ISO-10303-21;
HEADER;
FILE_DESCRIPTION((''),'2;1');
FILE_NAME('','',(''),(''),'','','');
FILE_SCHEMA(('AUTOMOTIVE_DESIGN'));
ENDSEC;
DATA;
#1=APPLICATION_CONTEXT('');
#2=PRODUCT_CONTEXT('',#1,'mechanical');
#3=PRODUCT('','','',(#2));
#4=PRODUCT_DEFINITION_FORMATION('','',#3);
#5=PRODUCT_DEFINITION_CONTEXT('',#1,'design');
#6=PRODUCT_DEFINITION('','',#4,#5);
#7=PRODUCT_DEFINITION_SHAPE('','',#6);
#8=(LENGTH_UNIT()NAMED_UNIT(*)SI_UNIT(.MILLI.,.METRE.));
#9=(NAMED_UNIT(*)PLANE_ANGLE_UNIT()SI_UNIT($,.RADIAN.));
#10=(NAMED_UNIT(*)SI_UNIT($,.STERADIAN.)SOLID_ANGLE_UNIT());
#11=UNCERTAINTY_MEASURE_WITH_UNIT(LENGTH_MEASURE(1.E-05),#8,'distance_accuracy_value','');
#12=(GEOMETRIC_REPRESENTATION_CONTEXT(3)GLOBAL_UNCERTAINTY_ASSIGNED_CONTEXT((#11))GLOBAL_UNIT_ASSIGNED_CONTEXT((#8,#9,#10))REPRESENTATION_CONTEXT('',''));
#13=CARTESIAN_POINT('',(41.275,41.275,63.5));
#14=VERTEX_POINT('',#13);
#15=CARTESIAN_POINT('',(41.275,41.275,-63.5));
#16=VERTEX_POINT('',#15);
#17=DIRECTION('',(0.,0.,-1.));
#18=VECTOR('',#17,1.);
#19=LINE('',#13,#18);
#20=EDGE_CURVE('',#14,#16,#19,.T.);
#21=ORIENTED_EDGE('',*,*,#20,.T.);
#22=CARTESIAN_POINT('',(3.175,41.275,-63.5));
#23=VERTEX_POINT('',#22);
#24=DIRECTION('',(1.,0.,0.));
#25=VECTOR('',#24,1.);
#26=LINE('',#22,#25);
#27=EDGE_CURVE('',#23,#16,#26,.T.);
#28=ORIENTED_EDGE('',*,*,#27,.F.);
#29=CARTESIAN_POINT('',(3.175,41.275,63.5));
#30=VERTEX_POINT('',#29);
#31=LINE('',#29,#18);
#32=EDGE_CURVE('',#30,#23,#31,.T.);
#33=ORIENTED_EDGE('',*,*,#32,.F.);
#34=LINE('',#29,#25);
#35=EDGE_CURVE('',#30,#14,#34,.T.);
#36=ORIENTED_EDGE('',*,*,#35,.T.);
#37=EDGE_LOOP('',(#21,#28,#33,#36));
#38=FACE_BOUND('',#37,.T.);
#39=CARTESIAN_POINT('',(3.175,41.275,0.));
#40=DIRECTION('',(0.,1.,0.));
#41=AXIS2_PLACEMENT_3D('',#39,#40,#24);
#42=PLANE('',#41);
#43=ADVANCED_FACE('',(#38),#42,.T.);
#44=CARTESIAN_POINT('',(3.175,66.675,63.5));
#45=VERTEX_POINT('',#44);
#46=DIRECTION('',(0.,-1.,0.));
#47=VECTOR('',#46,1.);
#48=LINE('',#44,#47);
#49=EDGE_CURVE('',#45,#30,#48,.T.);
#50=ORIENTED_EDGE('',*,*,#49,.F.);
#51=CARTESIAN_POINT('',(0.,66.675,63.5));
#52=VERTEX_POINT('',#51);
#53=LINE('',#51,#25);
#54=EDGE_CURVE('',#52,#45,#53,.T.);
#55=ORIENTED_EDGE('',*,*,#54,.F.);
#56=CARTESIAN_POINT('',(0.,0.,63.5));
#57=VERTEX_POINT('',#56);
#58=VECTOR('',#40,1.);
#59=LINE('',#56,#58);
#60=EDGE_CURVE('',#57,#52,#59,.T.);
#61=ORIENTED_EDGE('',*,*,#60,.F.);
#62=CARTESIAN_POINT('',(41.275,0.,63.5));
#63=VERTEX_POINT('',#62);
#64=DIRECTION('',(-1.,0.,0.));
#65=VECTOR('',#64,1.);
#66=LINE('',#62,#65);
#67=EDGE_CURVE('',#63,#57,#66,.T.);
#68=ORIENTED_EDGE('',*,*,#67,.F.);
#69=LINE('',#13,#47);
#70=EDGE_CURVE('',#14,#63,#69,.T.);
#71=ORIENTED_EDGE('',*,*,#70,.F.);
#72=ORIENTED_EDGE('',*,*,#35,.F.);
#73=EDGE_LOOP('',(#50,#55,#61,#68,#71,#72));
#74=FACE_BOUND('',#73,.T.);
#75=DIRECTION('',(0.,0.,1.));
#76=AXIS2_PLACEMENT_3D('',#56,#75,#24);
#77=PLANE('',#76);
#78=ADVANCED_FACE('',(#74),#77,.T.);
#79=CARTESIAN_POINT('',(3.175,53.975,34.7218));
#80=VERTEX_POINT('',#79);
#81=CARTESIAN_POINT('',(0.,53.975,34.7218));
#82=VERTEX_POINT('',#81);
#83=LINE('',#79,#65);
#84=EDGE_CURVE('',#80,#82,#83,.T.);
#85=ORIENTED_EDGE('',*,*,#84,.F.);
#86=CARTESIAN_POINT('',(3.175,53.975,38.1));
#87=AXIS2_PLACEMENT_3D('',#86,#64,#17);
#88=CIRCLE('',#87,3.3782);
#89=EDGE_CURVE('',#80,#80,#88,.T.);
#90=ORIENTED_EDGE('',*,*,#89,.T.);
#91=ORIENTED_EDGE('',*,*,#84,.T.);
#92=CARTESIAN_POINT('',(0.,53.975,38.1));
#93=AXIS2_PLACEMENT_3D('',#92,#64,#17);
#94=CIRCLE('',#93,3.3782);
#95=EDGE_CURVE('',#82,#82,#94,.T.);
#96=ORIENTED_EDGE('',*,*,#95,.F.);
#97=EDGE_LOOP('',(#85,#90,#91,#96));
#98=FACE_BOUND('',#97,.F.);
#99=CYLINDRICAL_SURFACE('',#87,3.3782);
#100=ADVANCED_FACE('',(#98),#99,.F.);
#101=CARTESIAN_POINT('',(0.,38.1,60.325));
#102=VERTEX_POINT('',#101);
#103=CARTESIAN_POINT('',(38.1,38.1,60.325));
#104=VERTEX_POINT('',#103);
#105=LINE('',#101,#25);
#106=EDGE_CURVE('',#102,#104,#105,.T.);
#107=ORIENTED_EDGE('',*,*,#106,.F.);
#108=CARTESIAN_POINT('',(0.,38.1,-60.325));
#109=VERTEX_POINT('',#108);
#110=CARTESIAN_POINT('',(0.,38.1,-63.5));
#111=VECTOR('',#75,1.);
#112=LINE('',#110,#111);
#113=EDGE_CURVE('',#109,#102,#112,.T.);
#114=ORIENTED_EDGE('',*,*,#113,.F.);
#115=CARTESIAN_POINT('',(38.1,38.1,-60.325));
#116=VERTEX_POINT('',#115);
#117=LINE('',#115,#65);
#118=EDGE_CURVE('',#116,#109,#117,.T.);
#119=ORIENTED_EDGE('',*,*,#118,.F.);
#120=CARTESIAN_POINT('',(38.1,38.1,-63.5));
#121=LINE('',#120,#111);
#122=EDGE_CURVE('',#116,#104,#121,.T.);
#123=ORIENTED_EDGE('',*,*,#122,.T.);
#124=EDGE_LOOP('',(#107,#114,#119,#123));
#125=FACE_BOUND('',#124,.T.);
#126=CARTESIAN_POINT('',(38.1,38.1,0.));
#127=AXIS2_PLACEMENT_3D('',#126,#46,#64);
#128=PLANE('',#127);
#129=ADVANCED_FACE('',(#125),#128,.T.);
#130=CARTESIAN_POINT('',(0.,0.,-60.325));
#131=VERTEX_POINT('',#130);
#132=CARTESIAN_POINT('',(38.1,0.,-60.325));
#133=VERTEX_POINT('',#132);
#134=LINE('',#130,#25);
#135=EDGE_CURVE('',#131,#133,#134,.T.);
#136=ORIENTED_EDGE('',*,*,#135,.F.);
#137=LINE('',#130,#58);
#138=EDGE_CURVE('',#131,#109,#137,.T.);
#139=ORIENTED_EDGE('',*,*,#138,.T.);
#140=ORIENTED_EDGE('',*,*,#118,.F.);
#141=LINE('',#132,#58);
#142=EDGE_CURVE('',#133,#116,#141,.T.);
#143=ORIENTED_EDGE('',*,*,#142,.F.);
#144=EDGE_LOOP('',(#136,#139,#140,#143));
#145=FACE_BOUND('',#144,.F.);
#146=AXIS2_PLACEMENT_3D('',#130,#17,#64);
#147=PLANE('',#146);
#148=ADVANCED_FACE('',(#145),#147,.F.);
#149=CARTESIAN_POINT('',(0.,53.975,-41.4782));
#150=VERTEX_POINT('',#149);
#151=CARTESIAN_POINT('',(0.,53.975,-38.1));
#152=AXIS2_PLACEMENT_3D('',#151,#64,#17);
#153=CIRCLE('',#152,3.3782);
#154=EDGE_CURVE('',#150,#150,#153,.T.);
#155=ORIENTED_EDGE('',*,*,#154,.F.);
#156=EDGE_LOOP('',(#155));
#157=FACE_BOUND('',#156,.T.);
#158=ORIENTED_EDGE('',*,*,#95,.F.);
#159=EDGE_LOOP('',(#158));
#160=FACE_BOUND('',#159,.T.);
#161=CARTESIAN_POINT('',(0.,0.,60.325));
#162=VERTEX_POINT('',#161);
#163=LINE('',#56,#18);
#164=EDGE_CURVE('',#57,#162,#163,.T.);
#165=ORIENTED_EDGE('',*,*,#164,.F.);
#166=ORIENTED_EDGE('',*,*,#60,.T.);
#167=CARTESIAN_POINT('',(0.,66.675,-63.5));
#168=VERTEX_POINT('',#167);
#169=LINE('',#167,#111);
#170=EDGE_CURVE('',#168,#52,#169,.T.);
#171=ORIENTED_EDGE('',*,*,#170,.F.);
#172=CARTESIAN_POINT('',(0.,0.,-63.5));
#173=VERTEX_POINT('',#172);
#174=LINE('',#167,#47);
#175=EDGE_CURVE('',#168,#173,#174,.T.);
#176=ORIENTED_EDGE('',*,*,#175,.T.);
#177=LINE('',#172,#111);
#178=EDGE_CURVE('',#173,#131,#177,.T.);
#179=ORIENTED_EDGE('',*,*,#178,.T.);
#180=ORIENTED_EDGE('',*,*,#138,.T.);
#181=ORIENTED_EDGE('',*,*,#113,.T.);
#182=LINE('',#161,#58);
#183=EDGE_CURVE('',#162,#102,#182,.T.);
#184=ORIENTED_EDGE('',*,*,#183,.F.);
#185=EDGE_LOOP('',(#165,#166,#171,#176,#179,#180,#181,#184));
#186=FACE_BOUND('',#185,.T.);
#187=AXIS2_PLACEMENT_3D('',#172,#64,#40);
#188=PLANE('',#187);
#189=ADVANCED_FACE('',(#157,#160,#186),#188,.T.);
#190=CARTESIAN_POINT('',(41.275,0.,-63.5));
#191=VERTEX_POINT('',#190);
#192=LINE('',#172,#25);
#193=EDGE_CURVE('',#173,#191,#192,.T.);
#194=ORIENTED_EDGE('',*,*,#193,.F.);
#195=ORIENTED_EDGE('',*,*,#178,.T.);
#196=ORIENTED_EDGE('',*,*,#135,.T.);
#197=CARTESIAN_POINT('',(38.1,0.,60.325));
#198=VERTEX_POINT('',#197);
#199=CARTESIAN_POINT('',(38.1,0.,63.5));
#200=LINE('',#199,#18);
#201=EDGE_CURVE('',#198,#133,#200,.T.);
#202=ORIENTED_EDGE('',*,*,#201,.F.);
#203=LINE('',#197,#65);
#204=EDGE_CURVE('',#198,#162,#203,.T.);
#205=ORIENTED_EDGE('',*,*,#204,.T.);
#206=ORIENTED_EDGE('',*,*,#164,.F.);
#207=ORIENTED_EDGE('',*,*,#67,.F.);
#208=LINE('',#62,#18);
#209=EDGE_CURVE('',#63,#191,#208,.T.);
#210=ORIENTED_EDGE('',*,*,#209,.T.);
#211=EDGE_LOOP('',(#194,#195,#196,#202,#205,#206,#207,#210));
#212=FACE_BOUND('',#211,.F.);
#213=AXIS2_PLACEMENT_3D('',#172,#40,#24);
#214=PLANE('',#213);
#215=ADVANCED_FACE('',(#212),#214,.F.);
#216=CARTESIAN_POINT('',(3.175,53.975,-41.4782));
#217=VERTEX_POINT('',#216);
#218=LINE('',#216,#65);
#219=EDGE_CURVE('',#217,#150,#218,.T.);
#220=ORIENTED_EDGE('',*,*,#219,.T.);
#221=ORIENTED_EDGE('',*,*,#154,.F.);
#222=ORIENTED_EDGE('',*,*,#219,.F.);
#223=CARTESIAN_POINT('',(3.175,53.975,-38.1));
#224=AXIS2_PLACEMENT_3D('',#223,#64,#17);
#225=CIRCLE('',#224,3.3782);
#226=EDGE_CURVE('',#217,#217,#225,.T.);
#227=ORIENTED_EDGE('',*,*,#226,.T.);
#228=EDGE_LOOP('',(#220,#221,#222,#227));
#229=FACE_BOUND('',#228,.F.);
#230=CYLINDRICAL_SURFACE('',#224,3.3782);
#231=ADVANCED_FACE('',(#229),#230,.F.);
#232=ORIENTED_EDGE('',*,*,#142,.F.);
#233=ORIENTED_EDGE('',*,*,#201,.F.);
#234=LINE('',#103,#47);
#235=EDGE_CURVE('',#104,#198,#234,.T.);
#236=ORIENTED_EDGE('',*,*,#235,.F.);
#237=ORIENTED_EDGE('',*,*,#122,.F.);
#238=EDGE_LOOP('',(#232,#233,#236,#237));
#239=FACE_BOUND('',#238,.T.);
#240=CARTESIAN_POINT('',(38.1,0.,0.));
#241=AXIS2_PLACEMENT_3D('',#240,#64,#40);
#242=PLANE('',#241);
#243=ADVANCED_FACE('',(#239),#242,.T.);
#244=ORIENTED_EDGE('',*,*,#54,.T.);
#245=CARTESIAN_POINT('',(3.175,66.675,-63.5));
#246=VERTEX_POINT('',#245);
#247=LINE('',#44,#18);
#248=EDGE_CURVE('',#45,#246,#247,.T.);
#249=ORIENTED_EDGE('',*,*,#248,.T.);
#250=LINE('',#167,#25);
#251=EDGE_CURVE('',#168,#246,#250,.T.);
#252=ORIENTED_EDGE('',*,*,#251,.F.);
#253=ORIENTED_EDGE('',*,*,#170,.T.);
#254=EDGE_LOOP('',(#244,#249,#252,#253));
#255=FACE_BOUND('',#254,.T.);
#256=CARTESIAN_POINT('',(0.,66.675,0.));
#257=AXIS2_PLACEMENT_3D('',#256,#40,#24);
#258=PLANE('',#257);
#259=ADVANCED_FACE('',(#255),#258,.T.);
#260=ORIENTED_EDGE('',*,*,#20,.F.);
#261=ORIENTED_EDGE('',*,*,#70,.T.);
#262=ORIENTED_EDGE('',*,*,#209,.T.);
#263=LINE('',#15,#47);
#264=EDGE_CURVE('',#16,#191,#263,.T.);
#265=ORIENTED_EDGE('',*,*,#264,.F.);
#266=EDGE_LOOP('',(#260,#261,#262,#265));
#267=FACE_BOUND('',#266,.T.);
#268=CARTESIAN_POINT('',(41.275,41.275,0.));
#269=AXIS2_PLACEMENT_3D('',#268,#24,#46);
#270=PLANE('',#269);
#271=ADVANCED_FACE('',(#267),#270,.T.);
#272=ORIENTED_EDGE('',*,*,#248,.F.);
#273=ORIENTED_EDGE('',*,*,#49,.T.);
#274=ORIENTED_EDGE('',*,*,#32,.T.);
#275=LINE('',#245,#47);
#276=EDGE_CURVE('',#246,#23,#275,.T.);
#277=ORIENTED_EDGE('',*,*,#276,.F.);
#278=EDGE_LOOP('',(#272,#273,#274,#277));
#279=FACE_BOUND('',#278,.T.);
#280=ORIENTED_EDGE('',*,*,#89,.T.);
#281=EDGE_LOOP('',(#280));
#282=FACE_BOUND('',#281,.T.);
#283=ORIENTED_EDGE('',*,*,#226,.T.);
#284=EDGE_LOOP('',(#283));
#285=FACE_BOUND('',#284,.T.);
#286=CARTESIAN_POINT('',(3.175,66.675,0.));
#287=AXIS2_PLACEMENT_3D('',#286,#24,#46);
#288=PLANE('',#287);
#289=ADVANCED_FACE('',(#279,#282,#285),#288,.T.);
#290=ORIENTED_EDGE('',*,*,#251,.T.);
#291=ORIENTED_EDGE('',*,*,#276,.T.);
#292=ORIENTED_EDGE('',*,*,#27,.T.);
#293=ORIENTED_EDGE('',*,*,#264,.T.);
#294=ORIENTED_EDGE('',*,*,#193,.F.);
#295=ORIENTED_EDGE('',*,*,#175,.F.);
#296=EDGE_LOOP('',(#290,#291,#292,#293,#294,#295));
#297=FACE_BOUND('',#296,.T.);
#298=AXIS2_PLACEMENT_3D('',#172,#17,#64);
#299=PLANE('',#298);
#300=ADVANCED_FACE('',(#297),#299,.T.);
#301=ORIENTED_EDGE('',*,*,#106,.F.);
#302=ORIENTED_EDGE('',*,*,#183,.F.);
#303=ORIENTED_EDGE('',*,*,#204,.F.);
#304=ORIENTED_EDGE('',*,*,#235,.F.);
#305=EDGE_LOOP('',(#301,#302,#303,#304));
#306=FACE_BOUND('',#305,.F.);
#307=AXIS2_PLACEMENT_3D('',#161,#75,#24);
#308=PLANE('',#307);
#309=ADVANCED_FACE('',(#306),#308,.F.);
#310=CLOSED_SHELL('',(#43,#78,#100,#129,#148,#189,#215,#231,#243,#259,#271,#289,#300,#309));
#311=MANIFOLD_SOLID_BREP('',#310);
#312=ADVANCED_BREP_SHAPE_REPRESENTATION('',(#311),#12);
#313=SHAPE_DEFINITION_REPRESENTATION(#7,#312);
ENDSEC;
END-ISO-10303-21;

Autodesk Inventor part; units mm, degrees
ref_plane "YZ Plane" through (0, 0, 0) normal (1, 0, 0) x (0, 1, 0)
ref_plane "XZ Plane" through (0, 0, 0) normal (0, 1, 0) x (-1, 0, 0)
ref_plane "XY Plane" through (0, 0, 0) normal (0, 0, 1) x (1, 0, 0)
sketch "Sketch1" plane through (0, 0, 0) normal (0, 0, 1) x (1, 0, 0)
  line L0 (0, 66.675) -> (0, 38.1)
  line L1 (0, 66.675) -> (3.175, 66.675)
  line L2 (3.175, 66.675) -> (3.175, 41.275)
  line L3 (3.175, 41.275) -> (41.275, 41.275)
  line L4 (41.275, 41.275) -> (41.275, 0)
  line L5 (41.275, 0) -> (38.1, 0)
  line L6 (38.1, 0) -> (38.1, 38.1)
  line L7 (38.1, 38.1) -> (0, 38.1)
  point P0 (0, 0)
  dimension "d0" = 3.175
  dimension "d1" = 3.175
  dimension "d2" = 3.175
  dimension "d3" = 38.1
  dimension "d4" = 38.1
  dimension "d5" = 25.4
extrude "Extrusion1" add sketch "Sketch1" along normal mid plane 127
sketch "Sketch2" plane through (0, 0, 63.5) normal (0, 0, 1) x (1, 0, 0)
  line L0 (0, 38.1) -> (38.1, 38.1) projected
  line L1 (38.1, 38.1) -> (38.1, 0) projected
  line L2 (0, 38.1) -> (38.1, 38.1)
  line L3 (38.1, 38.1) -> (38.1, 0)
  line L4 (38.1, 0) -> (0, 0)
  line L5 (0, 0) -> (0, 38.1)
  point P0 (0, 0)
extrude "Extrusion2" add sketch "Sketch2" against normal blind 3.175
sketch "Sketch3" plane through (0, 0, -63.5) normal (0, 0, -1) x (-1, 0, 0)
  line L0 (-38.1, 38.1) -> (0, 38.1) projected
  line L1 (0, 0) -> (0, 38.1) projected
  line L2 (-38.1, 38.1) -> (0, 38.1)
  line L3 (0, 38.1) -> (0, 0)
  line L4 (0, 0) -> (-38.1, 0)
  line L5 (-38.1, 0) -> (-38.1, 38.1)
extrude "Extrusion3" add sketch "Sketch3" against normal blind 3.175
sketch "Sketch4" plane through (3.175, 41.275, 63.5) normal (1, 0, 0) x (0, 0, -1)
  line L0 (0, 0) -> (0, 25.4) construction
  line L1 (0, 12.7) -> (127, 12.7) construction
  line L2 (127, 25.4) -> (127, 0) construction
  point P0 (63.5, -41.275)
  point P1 (25.4, 12.7)
  point P2 (101.6, 12.7)
  dimension "d12" = 76.2
  dimension "d13" = 25.4
hole "Hole1" at (3.175, 53.975, 38.1) at (3.175, 53.975, -38.1) direction (-1, 0, 0) diameter 6.7564 end through all clearance for "Flat Head Machine Screw (82)" size "1/4" standard "Ansi Unified Screw Threads"
equation "\"d0\" = materialWidth"
equation "\"d1\" = materialWidth"
equation "\"d2\" = materialWidth"
equation "\"d3\" = plugDepth"
equation "\"d4\" = plugHeight"
equation "\"d5\" = heightForBolts"
equation "\"d6\" = overallWidth"
equation "\"d8\" = materialWidth"
equation "\"d10\" = materialWidth"
equation "\"d12\" = distanceBetweenBolts"
equation "\"d13\" = distanceEdgeToBoltHoles"
equation "\"overallWidth\" = 127"
equation "\"extendFromWall\" = 63.5"
equation "\"heightForBolts\" = 25.4"
equation "\"materialWidth\" = 3.175"
equation "\"plugHeight\" = 38.1"
equation "\"plugDepth\" = 38.1"
equation "\"distanceBetweenBolts\" = overallWidth - 2 * distanceEdgeToBoltHoles"
equation "\"distanceEdgeToBoltHoles\" = 25.4"
properties part number "electricalCover"
